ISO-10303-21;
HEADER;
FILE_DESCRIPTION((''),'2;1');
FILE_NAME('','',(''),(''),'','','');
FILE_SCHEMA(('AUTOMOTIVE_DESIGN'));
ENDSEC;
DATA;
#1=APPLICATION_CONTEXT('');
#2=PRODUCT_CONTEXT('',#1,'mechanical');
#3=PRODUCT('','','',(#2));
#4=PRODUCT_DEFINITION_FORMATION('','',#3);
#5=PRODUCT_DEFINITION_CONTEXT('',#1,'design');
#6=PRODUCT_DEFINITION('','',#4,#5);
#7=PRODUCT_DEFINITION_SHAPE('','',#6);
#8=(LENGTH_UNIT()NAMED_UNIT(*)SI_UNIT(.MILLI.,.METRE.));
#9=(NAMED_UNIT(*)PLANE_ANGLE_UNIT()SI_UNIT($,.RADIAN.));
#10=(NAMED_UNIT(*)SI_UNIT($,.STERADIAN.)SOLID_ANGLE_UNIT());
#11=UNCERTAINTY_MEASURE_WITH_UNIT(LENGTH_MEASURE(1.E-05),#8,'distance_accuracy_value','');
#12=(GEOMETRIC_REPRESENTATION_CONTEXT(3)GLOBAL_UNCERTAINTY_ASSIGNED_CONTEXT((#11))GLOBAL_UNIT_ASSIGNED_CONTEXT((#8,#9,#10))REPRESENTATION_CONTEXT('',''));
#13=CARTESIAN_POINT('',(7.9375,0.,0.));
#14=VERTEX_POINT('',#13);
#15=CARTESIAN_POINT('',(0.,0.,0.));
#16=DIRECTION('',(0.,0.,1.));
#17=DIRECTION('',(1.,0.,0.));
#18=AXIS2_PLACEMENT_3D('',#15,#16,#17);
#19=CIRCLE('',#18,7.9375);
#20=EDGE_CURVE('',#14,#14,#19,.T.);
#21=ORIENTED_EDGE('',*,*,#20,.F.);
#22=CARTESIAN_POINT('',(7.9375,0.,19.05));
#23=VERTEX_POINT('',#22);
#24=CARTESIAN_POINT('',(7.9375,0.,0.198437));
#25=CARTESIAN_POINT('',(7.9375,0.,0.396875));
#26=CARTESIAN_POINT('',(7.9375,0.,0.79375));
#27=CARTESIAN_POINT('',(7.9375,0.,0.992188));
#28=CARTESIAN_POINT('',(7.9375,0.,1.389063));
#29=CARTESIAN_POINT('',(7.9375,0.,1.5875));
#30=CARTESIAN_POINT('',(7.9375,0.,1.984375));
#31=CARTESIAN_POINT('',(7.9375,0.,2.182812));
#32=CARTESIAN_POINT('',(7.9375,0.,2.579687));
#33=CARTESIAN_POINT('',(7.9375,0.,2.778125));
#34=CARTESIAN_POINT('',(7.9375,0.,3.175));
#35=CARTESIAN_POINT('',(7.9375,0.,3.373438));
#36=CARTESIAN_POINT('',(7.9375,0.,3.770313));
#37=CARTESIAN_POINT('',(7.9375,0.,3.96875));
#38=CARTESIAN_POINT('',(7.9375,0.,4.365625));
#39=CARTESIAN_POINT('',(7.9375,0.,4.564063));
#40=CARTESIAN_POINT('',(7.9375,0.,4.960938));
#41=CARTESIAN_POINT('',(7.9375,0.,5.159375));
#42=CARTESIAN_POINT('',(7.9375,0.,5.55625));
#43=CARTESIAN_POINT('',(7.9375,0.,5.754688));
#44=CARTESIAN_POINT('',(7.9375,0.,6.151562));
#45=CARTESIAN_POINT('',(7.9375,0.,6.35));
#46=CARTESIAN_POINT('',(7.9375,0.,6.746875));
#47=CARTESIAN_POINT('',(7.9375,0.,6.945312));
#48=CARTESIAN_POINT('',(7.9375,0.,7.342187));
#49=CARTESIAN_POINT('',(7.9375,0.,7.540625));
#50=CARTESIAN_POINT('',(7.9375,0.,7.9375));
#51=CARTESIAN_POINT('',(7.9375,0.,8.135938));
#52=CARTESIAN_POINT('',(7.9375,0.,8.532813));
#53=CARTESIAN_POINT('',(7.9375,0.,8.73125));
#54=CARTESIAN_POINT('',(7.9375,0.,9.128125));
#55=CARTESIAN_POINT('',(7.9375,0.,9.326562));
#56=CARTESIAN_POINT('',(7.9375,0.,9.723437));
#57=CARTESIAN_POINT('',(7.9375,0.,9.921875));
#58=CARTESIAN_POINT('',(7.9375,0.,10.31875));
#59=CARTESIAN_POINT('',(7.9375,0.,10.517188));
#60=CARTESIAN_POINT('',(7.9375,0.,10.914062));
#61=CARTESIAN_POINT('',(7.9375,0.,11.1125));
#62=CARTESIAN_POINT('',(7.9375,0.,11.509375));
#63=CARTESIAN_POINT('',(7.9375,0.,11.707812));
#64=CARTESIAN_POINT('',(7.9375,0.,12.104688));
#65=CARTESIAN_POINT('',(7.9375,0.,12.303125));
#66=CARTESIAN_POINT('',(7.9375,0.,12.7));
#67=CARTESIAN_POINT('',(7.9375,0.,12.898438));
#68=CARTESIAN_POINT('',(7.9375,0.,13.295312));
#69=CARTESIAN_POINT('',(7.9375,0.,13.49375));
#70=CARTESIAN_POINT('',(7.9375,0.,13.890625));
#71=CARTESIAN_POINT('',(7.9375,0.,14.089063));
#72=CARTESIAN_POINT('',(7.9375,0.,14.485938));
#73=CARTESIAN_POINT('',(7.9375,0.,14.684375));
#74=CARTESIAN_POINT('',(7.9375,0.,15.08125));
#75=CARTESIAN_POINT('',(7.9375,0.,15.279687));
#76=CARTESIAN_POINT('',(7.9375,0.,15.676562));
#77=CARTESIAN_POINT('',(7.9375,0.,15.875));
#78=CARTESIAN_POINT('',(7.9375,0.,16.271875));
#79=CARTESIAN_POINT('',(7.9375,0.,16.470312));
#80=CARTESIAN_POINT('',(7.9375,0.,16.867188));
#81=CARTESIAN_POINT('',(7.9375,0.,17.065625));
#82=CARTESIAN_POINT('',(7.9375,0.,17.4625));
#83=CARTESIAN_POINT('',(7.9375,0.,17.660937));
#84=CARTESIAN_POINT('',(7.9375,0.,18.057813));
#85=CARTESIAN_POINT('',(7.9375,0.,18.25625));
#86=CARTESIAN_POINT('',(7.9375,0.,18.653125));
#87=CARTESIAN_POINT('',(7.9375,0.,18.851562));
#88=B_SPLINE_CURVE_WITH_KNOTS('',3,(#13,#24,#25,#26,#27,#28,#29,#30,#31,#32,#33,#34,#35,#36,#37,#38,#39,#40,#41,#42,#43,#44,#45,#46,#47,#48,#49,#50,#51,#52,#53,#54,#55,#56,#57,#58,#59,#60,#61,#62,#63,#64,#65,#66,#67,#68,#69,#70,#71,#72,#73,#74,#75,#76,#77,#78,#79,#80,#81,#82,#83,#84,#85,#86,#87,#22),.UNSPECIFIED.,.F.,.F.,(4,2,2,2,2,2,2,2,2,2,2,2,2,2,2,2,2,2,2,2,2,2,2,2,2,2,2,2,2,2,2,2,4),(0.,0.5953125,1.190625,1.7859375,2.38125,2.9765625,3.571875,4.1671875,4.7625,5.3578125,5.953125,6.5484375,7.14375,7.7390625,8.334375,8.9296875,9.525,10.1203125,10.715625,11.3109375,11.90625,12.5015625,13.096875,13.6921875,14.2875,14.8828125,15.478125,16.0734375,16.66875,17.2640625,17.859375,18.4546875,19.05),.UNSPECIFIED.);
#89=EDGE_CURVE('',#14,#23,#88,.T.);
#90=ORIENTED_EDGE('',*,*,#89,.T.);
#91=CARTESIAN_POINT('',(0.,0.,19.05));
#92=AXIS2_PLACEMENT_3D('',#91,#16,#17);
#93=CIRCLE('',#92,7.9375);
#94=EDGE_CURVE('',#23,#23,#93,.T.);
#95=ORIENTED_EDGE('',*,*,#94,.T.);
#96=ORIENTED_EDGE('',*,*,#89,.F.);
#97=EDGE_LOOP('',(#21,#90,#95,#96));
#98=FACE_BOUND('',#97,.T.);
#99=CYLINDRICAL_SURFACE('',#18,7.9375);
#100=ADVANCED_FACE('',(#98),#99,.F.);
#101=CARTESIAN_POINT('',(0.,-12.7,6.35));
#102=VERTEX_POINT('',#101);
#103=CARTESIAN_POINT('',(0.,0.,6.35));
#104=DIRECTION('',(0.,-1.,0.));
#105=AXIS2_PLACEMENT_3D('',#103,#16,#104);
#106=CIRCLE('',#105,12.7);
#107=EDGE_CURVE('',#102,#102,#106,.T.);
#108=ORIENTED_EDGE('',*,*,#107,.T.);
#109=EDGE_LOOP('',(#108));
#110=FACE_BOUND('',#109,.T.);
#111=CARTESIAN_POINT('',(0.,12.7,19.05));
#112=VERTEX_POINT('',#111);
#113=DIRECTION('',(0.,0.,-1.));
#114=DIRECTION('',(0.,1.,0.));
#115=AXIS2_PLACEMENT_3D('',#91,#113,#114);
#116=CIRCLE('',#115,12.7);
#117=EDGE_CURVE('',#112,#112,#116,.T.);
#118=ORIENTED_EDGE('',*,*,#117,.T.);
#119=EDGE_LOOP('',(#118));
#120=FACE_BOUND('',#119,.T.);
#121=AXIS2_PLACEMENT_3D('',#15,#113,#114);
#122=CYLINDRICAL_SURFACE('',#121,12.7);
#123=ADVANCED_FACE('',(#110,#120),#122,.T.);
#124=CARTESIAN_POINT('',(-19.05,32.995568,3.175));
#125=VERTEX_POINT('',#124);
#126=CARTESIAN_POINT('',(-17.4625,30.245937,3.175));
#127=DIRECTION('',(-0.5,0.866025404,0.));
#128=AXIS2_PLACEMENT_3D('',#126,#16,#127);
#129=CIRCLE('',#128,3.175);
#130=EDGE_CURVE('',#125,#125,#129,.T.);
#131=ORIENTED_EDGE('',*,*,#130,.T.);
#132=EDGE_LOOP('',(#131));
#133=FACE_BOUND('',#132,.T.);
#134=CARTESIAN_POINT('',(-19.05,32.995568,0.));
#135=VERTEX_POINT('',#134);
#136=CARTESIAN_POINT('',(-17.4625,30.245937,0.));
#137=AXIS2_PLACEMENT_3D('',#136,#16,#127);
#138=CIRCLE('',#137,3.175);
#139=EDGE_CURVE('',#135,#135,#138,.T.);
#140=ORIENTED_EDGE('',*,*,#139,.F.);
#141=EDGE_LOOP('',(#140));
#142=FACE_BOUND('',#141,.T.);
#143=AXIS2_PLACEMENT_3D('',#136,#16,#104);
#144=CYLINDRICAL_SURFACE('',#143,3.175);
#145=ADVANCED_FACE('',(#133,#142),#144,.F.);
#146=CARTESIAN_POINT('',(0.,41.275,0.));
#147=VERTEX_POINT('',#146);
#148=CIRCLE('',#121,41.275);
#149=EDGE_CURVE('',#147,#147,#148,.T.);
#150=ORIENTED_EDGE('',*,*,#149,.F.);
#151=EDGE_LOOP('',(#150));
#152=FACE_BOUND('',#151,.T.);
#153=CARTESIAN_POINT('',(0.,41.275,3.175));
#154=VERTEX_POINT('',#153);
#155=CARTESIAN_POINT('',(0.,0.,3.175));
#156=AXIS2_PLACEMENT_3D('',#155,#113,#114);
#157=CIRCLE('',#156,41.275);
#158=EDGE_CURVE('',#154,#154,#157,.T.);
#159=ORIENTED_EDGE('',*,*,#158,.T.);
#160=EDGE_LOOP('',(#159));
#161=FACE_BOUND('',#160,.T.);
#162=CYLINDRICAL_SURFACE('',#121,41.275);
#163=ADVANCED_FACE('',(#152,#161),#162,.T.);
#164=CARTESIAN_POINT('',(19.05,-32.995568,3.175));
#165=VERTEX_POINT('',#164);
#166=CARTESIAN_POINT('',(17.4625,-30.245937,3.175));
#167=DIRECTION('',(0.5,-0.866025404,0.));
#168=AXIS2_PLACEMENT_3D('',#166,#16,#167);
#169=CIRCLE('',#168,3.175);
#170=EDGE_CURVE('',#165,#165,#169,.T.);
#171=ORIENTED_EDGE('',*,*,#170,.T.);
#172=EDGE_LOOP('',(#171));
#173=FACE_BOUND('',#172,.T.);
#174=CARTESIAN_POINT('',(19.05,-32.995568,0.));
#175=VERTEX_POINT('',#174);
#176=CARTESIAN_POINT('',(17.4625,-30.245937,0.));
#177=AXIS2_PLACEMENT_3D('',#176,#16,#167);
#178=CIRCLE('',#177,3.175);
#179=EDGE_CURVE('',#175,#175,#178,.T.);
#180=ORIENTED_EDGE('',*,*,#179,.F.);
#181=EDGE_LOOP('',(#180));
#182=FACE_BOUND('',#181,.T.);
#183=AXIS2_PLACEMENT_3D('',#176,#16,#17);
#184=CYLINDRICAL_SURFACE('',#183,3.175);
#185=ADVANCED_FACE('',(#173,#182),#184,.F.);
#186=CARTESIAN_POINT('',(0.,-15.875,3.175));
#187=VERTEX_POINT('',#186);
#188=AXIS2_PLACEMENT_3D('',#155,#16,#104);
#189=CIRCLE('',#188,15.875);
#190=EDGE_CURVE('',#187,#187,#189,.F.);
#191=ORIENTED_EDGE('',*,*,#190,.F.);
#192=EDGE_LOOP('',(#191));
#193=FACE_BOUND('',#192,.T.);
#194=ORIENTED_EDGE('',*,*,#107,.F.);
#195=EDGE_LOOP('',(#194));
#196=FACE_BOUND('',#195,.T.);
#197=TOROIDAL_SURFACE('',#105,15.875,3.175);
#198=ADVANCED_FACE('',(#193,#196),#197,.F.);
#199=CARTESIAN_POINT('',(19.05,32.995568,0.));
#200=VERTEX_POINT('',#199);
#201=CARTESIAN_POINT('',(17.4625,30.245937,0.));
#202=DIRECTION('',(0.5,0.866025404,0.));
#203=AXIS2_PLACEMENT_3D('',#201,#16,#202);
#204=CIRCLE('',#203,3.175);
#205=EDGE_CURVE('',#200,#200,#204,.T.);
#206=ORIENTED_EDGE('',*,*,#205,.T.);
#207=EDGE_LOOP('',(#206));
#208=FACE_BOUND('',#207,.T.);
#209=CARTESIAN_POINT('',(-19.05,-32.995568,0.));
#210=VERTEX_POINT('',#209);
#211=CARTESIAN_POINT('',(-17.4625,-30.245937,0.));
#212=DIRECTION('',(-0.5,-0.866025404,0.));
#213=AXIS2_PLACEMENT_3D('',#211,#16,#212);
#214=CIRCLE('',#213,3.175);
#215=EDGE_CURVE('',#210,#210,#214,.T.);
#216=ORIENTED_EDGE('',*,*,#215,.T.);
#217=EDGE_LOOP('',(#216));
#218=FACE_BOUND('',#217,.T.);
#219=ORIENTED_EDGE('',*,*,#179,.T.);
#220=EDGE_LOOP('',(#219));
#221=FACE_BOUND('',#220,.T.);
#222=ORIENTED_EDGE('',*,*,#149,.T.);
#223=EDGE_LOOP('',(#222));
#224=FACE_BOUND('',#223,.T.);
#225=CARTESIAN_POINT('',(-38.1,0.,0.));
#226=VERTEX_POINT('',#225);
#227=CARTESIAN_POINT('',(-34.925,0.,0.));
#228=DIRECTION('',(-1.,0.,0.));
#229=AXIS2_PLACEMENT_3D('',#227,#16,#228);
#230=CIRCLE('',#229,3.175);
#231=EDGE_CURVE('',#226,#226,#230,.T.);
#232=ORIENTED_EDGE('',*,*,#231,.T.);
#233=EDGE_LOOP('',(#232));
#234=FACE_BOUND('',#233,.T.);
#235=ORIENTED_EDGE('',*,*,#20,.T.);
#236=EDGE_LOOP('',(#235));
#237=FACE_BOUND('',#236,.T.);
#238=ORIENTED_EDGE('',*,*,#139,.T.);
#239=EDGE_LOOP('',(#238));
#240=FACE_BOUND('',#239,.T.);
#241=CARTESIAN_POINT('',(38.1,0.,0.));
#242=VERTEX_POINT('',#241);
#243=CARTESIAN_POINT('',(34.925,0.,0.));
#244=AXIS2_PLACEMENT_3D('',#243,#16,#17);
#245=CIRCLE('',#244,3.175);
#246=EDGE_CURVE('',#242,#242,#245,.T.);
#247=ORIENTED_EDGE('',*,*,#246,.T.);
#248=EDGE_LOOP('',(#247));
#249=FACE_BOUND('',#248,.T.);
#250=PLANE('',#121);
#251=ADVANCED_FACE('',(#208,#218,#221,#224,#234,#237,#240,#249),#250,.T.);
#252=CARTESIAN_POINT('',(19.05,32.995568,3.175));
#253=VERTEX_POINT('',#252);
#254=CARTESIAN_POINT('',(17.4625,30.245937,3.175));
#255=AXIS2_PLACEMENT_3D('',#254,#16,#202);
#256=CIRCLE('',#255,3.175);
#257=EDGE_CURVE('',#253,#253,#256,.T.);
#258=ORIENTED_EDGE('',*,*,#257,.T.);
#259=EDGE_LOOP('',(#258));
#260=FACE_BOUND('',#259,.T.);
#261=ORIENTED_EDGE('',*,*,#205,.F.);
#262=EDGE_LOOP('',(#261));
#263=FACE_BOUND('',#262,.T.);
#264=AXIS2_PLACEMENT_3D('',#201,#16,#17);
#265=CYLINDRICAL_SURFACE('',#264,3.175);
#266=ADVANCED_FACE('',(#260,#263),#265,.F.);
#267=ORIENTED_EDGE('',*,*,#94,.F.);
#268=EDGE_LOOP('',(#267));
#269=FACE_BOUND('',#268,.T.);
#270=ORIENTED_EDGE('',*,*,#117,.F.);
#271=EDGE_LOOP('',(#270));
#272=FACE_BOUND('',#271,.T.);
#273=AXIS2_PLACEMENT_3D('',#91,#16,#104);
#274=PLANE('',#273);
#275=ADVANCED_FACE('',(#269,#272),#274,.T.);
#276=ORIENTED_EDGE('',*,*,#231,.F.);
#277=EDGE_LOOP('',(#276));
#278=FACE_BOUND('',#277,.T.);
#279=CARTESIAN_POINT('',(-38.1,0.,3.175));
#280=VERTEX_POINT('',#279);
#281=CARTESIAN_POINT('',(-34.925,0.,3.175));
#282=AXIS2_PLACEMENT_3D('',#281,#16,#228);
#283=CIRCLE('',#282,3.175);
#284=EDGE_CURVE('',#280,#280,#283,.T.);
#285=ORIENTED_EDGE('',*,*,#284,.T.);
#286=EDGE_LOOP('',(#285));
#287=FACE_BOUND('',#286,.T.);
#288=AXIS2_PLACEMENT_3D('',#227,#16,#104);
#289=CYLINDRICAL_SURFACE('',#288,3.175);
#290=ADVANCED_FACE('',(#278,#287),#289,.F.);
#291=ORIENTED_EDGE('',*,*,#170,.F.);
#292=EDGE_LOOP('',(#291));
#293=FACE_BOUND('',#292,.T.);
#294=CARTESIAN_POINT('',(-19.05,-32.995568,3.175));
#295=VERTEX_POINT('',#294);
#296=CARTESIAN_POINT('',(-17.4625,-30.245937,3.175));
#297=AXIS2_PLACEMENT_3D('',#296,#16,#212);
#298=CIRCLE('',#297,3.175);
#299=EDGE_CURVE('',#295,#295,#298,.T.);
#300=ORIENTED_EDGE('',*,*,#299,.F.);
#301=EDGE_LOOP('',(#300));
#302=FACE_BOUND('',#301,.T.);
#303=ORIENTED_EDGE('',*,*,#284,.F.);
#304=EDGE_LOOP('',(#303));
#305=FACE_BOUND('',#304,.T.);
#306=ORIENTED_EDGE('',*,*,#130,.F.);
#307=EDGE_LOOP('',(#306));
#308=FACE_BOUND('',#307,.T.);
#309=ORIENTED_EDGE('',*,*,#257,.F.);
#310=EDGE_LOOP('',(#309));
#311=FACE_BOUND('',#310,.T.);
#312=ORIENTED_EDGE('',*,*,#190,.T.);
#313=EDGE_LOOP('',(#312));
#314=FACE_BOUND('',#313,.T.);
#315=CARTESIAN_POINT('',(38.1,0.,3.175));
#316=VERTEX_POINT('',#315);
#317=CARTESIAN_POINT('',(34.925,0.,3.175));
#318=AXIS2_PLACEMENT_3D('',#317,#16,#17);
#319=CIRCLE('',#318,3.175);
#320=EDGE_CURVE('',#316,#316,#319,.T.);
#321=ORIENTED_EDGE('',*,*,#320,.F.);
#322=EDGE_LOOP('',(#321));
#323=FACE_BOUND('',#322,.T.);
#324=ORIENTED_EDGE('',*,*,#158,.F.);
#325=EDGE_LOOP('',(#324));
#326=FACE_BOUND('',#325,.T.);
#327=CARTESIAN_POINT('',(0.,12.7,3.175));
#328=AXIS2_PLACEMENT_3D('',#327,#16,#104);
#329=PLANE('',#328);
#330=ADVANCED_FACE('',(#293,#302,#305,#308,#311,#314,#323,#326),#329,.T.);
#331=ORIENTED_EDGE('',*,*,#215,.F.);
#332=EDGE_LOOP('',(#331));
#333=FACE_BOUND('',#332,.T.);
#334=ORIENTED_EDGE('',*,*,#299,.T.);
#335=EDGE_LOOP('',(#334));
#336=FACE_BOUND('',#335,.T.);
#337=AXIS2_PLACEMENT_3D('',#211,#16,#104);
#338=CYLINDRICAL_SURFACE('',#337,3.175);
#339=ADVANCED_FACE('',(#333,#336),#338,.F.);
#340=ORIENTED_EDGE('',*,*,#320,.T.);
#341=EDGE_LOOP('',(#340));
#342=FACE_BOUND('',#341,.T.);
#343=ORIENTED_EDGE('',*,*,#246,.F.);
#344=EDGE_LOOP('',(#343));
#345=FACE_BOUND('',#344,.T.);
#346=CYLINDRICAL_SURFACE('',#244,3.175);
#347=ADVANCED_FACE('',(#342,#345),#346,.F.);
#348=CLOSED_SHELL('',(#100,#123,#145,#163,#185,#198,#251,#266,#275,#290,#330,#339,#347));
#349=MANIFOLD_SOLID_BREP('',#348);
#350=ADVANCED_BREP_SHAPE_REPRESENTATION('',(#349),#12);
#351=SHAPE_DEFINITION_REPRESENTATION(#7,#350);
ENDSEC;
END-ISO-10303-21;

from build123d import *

# Parameters (mm, degrees)
SKETCH2_R            = 7.9375
CENTER_CUT_DEPTH     = 62.401577748
SKETCH3_R            = 3.175
PERIPHERAL_CUT_DEPTH = 61.491874454
CIRPATTERN_COUNT     = 6
FILLET_2_R           = 3.175


with BuildPart() as part:
    # Sketch1 → Revolve 2 (revolve)
    with BuildSketch(Plane(origin=(0, 0, 0), x_dir=(0, 0, -1), z_dir=(1, 0, 0))):
        Polygon((0, 0), (0, 41.275), (-3.175, 41.275), (-3.175, 12.7), (-19.05, 12.7), (-19.05, 0), align=None)
    revolve(axis=Axis((0, 0, 0), (0, 0, 1)))

    # Sketch2 → Center Cut (cut, through all)
    with BuildSketch(Plane.XY.offset(19.05)):
        Circle(SKETCH2_R)
    extrude(amount=-CENTER_CUT_DEPTH, mode=Mode.SUBTRACT)

    # Sketch3 → Peripheral Cut (cut, through all)
    with BuildSketch(Plane.XY.offset(3.175)):
        with Locations((34.925, 0)):
            Circle(SKETCH3_R)
    peripheral_cut = extrude(amount=-PERIPHERAL_CUT_DEPTH, mode=Mode.SUBTRACT)

    # CirPattern: Peripheral Cut ×6 about axis
    cirpattern_axis = Axis((0, 0, 0), (0, 0, 1))
    for i in range(1, CIRPATTERN_COUNT):
        add(peripheral_cut.rotate(cirpattern_axis, i * 360 / CIRPATTERN_COUNT), mode=Mode.SUBTRACT)

    # Fillet 2
    fillet_2_edges = [part.edges().sort_by_distance(p)[0] for p in [
        (0, -12.7, 3.175),
    ]]
    fillet(fillet_2_edges, radius=FILLET_2_R)


solid = part.part
